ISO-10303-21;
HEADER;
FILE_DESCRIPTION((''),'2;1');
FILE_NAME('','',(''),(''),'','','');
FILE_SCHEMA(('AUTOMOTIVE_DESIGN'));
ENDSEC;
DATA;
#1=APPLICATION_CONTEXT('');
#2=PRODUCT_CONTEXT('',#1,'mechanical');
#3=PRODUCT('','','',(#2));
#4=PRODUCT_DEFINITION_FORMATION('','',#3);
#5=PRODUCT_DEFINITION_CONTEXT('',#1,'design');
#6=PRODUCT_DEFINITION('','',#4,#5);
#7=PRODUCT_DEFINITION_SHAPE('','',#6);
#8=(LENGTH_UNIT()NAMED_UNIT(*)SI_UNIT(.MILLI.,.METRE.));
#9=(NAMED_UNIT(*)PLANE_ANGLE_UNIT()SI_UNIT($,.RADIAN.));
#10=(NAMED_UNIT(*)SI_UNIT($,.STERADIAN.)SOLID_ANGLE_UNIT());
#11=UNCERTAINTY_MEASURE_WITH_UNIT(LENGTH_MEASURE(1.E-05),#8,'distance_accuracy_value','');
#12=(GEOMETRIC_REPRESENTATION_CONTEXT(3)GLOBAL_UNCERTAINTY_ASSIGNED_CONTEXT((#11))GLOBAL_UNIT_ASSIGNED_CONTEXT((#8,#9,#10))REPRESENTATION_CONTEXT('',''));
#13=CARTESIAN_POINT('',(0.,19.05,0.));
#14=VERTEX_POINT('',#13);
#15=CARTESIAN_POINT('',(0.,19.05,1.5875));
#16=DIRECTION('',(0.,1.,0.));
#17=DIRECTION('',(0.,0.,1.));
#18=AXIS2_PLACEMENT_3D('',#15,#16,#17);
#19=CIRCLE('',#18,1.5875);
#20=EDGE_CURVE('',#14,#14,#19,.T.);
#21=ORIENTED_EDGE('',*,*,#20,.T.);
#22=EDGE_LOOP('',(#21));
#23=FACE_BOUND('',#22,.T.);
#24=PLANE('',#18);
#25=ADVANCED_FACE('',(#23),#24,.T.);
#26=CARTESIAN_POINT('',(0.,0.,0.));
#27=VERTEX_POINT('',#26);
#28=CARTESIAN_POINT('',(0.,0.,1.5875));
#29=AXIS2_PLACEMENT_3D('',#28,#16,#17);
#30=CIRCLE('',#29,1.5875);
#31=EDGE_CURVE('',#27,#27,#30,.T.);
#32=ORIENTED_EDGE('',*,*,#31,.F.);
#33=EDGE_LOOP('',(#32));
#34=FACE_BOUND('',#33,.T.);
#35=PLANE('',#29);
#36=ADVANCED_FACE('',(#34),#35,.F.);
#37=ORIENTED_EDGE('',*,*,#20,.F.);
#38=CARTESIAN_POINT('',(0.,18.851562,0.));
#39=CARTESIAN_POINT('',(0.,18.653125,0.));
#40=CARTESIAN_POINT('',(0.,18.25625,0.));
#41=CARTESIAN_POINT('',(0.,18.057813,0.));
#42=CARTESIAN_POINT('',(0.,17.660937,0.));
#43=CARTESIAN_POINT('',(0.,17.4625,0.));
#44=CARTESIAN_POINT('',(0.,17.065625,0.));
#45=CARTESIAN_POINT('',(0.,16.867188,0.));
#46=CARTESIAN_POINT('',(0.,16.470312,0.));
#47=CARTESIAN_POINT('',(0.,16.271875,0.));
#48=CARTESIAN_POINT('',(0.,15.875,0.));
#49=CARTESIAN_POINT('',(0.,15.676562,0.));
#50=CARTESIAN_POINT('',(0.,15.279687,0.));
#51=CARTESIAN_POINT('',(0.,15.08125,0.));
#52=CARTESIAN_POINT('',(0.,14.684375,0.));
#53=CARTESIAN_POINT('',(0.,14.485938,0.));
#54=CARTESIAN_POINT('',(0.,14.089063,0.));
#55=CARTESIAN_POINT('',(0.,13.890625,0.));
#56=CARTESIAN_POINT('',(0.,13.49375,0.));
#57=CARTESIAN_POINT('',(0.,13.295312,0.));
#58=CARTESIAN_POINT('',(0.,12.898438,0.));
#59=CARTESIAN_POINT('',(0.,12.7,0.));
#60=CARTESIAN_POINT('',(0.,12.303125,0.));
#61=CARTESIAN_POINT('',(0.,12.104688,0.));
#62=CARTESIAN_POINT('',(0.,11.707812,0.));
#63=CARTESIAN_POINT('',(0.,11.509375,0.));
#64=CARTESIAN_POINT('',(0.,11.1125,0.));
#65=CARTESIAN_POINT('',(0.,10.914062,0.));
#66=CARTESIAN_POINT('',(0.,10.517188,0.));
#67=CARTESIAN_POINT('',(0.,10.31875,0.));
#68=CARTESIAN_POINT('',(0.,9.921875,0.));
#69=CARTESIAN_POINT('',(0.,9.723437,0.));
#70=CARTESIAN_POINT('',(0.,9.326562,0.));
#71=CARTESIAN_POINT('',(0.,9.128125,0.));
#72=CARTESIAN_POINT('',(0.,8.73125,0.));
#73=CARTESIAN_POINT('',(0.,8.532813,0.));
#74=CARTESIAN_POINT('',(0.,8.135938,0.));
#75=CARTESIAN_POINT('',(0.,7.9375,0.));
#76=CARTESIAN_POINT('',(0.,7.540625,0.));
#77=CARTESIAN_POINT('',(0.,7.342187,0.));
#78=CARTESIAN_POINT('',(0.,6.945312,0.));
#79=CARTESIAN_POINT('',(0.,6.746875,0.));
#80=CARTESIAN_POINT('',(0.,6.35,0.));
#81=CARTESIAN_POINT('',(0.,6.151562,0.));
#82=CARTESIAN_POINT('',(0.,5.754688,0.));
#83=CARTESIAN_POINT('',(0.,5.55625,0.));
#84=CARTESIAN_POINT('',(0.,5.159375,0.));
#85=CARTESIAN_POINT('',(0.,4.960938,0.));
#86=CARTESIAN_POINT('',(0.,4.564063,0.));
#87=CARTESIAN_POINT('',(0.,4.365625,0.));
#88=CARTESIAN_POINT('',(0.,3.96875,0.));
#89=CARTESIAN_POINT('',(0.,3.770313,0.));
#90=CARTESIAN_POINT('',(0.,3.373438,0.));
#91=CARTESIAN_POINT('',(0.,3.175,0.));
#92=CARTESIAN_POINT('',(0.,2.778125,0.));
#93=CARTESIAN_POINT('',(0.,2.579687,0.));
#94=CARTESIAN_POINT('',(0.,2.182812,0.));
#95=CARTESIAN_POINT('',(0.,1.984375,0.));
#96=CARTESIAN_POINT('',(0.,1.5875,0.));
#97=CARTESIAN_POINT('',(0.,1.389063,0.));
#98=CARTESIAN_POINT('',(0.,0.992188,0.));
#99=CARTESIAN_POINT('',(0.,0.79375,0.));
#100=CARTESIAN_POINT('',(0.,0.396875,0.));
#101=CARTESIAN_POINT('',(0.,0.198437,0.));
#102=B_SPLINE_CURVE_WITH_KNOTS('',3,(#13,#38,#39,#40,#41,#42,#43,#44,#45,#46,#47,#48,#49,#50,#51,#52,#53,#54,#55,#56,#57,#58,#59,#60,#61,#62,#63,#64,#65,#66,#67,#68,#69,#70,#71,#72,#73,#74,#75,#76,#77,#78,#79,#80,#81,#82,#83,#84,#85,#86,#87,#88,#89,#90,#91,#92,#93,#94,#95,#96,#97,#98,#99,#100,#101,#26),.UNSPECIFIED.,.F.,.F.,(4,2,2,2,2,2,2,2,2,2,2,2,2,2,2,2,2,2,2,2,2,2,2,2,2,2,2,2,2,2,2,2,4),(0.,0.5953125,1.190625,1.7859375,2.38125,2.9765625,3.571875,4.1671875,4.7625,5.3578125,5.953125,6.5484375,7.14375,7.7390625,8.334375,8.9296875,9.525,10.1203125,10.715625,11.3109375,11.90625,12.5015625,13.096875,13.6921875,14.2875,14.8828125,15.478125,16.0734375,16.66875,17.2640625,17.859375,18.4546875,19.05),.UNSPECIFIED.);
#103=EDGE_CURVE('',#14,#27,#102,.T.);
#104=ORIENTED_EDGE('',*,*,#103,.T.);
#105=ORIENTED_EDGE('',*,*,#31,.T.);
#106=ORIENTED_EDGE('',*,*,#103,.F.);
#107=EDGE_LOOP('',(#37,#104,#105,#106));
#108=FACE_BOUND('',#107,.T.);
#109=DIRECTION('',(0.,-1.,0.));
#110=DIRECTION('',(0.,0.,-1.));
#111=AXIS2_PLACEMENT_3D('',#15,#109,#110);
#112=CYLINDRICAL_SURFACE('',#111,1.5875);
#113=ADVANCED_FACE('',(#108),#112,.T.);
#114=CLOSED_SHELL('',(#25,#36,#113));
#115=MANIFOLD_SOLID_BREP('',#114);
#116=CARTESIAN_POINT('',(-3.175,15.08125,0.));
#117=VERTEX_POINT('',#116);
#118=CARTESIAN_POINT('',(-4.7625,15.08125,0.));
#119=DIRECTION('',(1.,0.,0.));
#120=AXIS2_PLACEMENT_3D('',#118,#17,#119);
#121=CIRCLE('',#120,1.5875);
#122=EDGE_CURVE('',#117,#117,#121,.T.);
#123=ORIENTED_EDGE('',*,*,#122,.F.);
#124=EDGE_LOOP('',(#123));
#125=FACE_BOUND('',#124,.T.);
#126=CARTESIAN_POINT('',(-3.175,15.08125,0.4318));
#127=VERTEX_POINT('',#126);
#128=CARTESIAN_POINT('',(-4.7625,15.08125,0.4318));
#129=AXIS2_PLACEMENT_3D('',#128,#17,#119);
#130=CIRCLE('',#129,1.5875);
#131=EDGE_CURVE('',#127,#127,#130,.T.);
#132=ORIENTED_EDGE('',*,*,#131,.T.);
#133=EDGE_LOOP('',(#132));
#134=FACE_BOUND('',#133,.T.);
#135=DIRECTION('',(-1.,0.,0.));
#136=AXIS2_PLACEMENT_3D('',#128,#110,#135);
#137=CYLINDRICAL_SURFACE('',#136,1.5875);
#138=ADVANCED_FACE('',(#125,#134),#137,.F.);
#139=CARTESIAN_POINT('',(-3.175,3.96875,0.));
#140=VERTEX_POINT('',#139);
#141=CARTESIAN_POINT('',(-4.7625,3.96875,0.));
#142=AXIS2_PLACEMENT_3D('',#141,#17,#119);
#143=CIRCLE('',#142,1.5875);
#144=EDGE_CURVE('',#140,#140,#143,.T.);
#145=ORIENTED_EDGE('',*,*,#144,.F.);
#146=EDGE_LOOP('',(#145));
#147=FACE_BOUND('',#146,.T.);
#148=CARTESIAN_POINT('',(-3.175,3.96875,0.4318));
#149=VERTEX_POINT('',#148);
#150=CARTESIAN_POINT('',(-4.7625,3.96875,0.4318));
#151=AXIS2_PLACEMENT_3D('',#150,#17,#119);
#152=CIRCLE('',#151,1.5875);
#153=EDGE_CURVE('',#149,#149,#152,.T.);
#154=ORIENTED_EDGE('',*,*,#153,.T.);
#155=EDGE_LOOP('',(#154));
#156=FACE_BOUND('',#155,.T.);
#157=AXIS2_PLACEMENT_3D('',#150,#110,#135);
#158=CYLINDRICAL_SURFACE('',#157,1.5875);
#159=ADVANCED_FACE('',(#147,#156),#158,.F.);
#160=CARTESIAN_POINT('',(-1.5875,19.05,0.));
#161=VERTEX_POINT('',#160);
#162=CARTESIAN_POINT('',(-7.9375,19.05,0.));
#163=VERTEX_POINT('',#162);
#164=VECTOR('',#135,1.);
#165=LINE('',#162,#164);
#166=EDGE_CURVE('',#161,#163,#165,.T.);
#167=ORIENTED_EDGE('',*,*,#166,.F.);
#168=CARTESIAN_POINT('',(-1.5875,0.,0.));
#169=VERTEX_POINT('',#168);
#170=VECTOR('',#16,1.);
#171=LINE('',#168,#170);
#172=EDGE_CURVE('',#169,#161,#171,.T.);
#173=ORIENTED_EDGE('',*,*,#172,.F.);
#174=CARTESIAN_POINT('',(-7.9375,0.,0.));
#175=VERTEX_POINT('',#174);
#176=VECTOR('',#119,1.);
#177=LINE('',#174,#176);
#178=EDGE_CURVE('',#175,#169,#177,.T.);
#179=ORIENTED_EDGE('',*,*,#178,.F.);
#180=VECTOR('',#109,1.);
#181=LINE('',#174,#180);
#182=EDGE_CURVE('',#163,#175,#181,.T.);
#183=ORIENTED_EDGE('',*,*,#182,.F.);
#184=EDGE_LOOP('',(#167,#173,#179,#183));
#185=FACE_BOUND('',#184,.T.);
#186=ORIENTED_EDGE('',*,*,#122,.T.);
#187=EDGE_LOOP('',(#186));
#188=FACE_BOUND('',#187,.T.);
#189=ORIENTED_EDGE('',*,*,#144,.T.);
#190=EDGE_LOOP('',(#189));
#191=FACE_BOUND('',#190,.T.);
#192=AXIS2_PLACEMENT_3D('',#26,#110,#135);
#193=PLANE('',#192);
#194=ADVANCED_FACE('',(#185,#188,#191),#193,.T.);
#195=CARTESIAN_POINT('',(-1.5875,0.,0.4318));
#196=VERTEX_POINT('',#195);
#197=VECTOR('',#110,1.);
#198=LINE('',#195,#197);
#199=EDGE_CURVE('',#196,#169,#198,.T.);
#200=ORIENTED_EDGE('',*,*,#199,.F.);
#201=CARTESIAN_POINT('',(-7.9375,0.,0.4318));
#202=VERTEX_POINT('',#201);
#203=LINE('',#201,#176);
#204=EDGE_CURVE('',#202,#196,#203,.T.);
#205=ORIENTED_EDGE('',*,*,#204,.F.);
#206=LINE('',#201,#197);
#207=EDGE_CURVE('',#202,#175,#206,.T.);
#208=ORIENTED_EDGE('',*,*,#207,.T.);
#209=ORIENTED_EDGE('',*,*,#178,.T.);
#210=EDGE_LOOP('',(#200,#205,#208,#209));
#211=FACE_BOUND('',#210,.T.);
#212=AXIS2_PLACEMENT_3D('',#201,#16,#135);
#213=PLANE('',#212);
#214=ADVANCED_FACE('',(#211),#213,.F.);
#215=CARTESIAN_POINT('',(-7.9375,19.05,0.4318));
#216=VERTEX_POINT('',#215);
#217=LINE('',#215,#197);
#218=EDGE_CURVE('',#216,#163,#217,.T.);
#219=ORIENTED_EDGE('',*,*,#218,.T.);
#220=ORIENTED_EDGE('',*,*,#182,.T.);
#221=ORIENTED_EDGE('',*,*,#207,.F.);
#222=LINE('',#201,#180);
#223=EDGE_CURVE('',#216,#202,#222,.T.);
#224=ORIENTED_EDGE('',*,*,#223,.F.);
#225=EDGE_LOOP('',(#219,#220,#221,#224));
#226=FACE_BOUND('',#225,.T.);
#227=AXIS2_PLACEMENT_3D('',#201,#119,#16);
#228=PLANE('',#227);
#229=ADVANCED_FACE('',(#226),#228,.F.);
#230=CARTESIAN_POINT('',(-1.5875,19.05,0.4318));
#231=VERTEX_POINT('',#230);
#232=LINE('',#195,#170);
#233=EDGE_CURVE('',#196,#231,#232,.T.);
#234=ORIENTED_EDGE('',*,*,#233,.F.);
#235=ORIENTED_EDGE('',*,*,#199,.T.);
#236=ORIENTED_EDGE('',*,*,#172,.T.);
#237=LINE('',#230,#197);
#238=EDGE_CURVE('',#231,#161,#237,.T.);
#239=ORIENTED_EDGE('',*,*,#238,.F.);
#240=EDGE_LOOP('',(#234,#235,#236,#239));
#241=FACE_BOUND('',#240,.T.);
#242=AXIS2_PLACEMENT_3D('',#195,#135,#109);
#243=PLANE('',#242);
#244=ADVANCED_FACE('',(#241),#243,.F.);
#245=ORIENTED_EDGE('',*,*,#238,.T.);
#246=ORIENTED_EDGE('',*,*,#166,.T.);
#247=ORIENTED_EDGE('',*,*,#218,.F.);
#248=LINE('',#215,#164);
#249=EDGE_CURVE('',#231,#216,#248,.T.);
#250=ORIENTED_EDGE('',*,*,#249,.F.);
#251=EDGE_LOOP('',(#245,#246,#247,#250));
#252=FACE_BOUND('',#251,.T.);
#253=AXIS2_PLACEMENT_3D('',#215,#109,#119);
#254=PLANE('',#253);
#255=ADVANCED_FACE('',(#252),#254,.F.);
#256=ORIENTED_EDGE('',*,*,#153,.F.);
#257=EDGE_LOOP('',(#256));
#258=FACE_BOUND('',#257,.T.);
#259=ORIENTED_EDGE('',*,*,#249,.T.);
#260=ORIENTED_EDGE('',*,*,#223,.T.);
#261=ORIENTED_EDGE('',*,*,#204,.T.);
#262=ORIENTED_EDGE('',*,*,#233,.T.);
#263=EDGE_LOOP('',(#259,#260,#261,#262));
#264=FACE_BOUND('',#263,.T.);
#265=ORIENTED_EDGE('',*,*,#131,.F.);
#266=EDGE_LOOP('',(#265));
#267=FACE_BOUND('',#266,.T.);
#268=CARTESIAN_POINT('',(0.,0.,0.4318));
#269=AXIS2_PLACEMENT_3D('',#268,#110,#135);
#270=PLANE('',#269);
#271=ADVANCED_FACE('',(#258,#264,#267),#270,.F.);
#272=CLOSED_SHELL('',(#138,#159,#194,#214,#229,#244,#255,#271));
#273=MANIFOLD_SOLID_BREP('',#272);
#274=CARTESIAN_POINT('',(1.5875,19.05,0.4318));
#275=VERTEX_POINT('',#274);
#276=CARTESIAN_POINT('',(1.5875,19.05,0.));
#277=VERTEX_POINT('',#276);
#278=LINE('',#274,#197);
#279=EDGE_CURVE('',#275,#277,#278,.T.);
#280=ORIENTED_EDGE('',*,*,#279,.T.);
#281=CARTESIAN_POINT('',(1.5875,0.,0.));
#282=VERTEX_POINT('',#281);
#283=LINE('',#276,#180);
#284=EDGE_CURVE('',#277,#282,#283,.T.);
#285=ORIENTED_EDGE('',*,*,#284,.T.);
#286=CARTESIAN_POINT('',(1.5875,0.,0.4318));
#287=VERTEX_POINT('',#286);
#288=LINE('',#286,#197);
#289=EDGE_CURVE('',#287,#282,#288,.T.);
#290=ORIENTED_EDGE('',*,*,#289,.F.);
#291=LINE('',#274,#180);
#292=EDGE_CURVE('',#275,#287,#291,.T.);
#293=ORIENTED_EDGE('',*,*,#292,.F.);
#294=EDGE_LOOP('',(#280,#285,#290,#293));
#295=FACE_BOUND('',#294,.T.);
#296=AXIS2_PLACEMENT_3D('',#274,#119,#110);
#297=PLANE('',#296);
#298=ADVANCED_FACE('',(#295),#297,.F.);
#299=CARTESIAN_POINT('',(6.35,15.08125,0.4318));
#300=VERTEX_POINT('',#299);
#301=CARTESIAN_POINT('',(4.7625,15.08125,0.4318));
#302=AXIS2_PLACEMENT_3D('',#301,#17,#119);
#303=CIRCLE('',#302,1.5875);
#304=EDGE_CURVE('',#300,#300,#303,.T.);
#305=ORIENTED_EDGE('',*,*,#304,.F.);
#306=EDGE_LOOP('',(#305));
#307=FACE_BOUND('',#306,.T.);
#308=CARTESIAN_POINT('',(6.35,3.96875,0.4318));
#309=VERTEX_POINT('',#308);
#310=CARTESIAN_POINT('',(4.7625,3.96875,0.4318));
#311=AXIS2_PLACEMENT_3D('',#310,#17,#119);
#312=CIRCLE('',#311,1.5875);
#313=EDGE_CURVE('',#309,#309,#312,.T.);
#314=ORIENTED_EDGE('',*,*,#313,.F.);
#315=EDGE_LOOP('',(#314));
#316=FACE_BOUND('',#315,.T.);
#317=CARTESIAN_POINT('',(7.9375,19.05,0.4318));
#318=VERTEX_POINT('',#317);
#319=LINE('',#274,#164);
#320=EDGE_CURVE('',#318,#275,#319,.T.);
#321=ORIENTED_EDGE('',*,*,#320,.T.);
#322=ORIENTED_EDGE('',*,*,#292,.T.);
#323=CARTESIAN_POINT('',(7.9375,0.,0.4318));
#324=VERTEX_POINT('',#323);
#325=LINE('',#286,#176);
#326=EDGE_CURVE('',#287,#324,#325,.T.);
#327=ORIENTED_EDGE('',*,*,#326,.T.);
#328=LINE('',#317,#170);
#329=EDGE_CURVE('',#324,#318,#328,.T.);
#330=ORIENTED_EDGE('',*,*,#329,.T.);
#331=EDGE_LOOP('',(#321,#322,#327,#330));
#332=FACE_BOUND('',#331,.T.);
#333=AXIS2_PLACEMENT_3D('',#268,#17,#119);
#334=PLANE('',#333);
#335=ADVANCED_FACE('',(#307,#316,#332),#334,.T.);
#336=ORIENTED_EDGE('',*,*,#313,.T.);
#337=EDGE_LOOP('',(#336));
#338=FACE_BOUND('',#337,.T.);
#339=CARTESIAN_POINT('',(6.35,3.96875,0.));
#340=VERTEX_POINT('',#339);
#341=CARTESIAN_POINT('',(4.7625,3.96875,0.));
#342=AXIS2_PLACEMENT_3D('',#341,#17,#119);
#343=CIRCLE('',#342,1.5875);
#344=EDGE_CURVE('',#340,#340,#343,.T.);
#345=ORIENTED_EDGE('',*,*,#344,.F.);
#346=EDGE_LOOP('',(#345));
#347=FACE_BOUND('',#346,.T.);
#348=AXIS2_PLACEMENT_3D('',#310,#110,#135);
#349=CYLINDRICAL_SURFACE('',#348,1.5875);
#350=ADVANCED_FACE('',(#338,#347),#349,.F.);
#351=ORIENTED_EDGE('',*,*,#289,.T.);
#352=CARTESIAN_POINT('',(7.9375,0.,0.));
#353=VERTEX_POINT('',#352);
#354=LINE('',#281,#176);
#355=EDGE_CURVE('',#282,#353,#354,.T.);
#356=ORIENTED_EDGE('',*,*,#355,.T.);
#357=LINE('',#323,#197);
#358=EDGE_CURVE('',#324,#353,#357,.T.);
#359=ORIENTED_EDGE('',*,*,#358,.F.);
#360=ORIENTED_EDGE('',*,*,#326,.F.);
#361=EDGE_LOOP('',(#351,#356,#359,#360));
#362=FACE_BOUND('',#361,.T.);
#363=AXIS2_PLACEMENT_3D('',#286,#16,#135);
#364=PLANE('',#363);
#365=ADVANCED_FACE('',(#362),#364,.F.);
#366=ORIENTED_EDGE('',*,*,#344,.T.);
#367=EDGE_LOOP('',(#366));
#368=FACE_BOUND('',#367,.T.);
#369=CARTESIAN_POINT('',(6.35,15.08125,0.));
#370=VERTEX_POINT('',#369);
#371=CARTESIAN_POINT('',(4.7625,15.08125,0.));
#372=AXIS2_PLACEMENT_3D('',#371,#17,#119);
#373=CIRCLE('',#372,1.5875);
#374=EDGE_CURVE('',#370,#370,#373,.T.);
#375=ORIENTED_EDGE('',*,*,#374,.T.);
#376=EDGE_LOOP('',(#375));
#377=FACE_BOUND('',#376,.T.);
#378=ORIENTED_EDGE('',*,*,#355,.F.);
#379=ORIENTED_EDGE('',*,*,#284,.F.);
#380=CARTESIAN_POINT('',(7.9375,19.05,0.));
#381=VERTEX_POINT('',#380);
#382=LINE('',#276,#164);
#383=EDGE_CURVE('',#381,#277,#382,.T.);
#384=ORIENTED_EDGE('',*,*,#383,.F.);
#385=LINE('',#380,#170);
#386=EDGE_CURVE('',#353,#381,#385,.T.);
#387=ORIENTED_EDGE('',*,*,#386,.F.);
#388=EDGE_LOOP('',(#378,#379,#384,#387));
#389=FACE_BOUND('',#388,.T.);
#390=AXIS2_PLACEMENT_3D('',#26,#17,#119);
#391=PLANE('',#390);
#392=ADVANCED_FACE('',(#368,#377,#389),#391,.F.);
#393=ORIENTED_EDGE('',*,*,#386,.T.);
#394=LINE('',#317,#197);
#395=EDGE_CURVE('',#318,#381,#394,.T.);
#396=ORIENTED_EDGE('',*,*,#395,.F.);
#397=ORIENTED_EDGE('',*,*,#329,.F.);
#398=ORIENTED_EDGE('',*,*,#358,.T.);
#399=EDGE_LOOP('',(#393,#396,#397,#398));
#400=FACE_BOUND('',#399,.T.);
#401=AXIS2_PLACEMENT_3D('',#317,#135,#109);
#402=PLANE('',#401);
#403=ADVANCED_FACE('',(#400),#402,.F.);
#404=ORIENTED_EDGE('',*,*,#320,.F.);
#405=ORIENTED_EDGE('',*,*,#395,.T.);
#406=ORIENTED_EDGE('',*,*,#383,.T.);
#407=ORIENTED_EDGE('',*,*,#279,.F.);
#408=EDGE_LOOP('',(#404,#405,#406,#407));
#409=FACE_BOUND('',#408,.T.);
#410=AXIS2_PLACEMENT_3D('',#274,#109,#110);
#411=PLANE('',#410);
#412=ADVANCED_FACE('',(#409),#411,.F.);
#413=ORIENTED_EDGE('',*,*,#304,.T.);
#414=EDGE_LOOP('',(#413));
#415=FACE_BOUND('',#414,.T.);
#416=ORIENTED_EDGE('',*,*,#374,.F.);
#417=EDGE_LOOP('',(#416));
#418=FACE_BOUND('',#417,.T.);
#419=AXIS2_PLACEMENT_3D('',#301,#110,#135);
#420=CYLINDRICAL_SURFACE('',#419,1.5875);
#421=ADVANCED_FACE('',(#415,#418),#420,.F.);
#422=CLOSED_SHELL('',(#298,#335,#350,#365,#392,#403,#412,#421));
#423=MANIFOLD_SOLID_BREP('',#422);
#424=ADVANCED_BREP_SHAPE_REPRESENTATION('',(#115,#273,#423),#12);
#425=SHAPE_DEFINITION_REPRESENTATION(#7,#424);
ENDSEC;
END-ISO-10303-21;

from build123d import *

# Parameters (mm, degrees)
SKETCH1_W             = 6.35
SKETCH1_H             = 19.05
SKETCH1_R             = 1.5875
BOSS_EXTRUDE1_DEPTH   = 0.4318
BOSS_EXTRUDE1_2_DEPTH = 0.4318
SKETCH2_R             = 1.5875
BOSS_EXTRUDE2_DEPTH   = 19.05


with BuildPart() as part:
    # Sketch1 → Boss-Extrude1 (new body)
    with BuildSketch(Plane.XY):
        with Locations((-4.7625, 9.525)):
            Rectangle(SKETCH1_W, SKETCH1_H)
        with Locations((-4.7625, 15.08125)):
            Circle(SKETCH1_R, mode=Mode.SUBTRACT)
        with Locations((-4.7625, 3.96875)):
            Circle(SKETCH1_R, mode=Mode.SUBTRACT)
    extrude(amount=BOSS_EXTRUDE1_DEPTH)


with BuildPart() as body_2:
    # Sketch1 → Boss-Extrude1 2 (new body)
    with BuildSketch(Plane.XY):
        with Locations((4.7625, 9.525)):
            Rectangle(SKETCH1_W, SKETCH1_H)
        with Locations((4.7625, 3.96875)):
            Circle(SKETCH1_R, mode=Mode.SUBTRACT)
        with Locations((4.7625, 15.08125)):
            Circle(SKETCH1_R, mode=Mode.SUBTRACT)
    extrude(amount=BOSS_EXTRUDE1_2_DEPTH)


with BuildPart() as body_3:
    # Sketch2 → Boss-Extrude2 (new body)
    with BuildSketch(Plane(origin=(0, 0, 0), x_dir=(1, 0, 0), z_dir=(0, 1, 0))):
        with Locations(Location((0, -1.5875, 0), (0, 0, 90))):
            Circle(SKETCH2_R)
    extrude(amount=BOSS_EXTRUDE2_DEPTH)


solid = Compound([part.part, body_2.part, body_3.part])
